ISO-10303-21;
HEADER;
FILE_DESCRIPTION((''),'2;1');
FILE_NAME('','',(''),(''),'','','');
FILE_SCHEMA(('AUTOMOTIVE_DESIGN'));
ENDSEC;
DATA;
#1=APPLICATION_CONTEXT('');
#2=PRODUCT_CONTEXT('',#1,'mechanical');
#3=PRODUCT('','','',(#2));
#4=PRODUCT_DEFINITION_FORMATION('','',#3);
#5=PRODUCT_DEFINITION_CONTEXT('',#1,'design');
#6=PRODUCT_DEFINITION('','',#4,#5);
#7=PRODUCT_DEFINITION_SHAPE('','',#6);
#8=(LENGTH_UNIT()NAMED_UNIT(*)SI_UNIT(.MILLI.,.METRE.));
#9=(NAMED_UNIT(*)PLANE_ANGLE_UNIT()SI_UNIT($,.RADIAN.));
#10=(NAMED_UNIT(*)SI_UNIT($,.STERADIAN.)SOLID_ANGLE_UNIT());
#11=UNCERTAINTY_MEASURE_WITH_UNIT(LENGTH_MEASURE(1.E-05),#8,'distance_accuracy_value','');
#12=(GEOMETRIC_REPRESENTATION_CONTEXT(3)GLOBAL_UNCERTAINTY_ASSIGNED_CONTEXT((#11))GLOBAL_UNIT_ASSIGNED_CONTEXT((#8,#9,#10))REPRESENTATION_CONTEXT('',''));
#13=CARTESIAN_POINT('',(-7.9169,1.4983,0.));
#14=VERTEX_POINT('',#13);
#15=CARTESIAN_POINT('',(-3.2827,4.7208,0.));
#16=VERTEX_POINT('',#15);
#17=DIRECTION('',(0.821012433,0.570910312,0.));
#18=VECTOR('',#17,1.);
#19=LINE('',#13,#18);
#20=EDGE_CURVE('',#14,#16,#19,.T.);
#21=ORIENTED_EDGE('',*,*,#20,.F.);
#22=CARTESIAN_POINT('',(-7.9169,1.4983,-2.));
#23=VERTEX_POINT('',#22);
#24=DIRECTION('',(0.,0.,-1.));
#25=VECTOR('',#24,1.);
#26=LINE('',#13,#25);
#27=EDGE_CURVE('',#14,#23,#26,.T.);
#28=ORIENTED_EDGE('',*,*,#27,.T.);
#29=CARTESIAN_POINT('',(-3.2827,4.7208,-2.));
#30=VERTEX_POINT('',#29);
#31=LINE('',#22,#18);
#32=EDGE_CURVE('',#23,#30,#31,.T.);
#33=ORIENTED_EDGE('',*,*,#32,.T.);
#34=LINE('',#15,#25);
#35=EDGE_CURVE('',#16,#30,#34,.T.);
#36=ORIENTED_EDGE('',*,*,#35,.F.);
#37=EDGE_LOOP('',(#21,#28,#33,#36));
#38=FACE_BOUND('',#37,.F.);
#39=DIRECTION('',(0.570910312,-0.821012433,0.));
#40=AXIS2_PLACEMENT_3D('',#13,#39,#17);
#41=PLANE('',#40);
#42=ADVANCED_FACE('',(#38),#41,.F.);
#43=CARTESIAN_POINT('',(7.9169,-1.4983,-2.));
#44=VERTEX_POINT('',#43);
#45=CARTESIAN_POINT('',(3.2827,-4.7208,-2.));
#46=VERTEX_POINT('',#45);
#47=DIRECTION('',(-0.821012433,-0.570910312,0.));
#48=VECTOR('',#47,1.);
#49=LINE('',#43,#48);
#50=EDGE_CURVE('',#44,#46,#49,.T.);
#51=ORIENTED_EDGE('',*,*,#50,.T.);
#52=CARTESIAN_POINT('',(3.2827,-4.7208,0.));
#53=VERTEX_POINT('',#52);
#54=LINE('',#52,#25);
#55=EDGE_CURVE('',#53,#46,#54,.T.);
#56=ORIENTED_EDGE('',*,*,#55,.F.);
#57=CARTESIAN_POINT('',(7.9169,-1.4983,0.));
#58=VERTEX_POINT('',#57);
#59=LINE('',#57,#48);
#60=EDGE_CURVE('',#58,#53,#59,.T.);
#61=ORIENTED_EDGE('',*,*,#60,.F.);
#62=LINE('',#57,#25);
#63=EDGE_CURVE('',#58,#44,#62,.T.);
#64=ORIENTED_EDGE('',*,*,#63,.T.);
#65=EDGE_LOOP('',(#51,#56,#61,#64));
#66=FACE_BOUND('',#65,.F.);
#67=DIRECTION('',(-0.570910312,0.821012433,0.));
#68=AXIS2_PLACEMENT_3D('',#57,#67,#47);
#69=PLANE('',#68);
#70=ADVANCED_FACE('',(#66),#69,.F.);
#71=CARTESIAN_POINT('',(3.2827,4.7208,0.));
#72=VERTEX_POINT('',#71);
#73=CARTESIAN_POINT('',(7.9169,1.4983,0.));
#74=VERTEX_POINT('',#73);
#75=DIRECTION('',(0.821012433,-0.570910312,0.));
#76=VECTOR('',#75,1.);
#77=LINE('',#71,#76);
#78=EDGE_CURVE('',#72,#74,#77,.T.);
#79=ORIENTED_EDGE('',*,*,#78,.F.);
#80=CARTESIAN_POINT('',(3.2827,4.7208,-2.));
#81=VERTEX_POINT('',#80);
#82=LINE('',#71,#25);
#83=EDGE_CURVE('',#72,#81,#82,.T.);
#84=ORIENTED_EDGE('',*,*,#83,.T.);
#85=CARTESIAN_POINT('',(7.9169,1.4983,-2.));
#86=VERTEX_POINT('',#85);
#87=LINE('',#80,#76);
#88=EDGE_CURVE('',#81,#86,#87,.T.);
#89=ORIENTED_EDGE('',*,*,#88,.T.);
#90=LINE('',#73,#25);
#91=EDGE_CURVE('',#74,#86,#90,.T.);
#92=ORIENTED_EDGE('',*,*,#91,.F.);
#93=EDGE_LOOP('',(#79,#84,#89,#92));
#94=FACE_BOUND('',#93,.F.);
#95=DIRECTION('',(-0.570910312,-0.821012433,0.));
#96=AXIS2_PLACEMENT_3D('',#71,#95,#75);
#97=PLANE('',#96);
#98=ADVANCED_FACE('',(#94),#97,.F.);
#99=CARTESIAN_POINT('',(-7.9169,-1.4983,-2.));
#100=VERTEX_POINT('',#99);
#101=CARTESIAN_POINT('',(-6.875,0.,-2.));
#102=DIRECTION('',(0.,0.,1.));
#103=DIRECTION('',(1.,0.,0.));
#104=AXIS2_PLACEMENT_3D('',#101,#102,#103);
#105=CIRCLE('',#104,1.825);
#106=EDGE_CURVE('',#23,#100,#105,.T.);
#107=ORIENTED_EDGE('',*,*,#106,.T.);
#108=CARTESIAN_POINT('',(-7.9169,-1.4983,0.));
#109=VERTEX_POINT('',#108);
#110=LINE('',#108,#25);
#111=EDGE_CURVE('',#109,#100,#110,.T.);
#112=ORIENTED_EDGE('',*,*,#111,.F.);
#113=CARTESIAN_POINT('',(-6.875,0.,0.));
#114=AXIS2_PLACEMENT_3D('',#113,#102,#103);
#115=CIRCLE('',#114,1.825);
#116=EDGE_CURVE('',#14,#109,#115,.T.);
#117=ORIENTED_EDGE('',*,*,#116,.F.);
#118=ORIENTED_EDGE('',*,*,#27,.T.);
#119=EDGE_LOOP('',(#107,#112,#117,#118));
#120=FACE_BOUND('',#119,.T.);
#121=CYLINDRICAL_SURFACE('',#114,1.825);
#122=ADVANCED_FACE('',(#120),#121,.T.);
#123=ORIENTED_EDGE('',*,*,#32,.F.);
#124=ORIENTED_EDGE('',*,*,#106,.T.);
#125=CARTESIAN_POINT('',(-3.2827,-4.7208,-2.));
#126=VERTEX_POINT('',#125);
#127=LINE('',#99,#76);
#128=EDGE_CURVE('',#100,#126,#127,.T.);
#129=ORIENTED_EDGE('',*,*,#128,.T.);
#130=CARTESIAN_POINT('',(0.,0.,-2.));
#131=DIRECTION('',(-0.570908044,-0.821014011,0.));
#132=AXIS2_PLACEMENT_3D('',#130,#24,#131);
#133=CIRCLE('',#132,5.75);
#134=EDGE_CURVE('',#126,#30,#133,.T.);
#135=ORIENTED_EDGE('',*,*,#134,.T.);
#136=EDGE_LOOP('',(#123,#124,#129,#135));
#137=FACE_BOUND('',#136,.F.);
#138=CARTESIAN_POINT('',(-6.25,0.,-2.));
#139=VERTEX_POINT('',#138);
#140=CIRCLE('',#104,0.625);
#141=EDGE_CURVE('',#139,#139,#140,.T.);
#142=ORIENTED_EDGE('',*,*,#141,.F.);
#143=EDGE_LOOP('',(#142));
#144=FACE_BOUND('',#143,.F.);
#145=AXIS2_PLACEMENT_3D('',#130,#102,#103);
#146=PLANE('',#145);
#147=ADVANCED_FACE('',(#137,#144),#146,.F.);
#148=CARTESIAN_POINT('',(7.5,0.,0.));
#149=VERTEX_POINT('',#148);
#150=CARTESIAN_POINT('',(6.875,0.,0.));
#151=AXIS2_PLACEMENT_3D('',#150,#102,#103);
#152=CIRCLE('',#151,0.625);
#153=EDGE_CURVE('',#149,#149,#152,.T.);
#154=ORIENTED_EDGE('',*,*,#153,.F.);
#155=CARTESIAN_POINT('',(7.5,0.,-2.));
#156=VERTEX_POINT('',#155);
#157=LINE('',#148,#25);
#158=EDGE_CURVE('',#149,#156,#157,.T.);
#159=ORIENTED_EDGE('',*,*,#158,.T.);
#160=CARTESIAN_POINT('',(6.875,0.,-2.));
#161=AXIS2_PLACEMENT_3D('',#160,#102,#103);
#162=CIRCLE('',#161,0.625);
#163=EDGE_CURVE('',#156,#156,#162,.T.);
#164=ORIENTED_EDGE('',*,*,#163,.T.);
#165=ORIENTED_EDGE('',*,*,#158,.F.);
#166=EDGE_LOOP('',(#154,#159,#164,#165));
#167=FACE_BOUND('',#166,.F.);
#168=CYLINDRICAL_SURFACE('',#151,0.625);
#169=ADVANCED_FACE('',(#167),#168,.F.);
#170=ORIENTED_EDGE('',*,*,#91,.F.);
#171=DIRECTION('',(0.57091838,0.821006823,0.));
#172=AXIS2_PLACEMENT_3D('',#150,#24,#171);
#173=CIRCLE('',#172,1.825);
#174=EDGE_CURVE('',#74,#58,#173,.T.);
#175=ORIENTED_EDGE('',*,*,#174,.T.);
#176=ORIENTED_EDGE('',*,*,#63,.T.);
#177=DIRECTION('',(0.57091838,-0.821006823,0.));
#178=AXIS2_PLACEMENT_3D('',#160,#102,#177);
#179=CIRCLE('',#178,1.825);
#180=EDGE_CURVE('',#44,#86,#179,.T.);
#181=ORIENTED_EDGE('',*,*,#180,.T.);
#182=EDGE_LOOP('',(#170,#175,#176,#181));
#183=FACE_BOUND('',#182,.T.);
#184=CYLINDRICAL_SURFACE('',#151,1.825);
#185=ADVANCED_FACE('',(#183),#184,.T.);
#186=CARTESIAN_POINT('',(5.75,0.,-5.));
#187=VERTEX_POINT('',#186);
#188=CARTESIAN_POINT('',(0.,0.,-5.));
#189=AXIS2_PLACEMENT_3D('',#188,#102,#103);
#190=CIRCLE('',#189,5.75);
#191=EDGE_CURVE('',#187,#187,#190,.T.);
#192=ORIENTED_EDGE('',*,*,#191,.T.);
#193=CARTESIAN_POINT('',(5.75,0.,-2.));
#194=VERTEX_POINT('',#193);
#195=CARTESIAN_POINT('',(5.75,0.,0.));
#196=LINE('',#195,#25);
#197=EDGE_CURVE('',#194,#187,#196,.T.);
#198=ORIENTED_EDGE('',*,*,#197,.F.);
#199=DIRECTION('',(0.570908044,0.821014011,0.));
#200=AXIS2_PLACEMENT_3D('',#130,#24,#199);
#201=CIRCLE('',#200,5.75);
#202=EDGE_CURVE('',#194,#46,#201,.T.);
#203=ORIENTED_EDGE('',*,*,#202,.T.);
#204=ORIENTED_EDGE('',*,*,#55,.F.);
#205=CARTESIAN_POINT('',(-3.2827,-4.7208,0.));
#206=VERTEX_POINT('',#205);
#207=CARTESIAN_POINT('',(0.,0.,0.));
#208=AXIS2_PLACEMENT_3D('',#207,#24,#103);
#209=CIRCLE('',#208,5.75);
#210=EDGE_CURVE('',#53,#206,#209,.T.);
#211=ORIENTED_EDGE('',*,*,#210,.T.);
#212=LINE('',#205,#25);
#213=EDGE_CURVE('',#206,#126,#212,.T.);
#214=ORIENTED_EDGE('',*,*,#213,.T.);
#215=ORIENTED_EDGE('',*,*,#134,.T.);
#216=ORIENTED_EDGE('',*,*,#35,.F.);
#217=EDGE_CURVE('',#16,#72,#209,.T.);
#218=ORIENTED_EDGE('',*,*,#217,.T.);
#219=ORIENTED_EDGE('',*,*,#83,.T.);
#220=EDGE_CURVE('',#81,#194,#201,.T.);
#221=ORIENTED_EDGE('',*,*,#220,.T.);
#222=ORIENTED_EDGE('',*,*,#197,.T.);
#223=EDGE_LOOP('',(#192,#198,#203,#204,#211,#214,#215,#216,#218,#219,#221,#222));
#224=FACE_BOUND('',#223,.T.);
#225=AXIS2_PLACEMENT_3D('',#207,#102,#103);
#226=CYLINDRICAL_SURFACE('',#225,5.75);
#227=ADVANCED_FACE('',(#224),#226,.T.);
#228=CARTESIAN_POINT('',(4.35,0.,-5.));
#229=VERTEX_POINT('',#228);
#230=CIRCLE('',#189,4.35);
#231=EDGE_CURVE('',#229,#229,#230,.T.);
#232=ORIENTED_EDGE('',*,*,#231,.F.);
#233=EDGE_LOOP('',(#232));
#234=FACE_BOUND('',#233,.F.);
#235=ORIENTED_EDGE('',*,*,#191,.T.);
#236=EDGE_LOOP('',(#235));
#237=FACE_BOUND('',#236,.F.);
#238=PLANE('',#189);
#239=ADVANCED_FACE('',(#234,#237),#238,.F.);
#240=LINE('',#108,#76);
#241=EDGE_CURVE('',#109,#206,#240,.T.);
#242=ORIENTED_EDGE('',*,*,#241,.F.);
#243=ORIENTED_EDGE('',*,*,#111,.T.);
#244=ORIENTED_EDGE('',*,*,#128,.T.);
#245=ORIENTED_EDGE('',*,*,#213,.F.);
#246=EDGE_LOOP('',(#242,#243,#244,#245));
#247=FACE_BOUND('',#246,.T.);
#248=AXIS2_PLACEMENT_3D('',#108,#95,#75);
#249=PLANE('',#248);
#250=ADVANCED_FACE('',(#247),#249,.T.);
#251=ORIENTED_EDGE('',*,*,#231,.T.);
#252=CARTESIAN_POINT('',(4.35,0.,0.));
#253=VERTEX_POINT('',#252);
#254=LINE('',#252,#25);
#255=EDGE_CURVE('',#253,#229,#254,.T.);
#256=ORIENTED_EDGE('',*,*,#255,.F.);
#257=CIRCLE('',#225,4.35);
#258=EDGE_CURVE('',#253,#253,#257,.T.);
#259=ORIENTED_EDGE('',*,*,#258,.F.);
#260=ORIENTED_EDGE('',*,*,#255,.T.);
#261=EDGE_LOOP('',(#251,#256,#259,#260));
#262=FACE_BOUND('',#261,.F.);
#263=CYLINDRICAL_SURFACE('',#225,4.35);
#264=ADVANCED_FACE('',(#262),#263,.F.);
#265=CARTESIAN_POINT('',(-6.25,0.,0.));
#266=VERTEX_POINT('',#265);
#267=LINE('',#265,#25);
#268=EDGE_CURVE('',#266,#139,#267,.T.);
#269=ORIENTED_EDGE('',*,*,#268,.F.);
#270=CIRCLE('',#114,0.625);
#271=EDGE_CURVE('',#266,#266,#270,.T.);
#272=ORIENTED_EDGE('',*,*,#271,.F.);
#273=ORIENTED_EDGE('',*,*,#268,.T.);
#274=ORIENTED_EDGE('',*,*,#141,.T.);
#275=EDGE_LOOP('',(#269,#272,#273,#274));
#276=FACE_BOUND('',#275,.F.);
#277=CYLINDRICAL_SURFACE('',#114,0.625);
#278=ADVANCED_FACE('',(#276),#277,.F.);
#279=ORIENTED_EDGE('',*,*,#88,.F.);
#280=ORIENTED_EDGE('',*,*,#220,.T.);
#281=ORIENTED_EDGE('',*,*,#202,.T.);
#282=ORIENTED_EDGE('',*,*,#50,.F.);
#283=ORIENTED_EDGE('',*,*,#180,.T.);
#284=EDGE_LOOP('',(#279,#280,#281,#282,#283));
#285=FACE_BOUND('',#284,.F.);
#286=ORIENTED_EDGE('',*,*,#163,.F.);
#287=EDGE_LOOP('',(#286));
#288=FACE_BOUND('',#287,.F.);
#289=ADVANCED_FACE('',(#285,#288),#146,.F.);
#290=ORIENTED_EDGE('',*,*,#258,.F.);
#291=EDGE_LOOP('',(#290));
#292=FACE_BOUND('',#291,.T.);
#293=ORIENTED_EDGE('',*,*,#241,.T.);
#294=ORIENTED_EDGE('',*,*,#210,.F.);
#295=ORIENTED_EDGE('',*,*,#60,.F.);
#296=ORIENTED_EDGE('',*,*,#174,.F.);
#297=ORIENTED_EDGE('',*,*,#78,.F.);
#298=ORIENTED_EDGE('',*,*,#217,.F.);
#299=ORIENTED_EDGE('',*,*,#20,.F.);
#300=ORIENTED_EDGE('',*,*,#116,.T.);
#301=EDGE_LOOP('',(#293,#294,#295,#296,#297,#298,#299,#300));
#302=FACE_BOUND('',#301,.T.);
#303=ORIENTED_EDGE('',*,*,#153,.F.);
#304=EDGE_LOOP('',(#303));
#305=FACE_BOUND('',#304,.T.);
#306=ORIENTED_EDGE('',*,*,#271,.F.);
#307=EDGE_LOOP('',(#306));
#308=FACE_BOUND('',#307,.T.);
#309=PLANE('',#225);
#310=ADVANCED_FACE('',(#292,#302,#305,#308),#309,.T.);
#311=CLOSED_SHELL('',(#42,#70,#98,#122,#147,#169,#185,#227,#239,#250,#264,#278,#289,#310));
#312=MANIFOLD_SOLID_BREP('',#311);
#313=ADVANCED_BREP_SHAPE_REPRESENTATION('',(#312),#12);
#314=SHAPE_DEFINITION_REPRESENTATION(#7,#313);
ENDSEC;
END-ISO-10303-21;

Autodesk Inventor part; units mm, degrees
ref_plane "YZ Plane" through (0, 0, 0) normal (1, 0, 0) x (0, 1, 0)
ref_plane "XZ Plane" through (0, 0, 0) normal (0, 1, 0) x (-1, 0, 0)
ref_plane "XY Plane" through (0, 0, 0) normal (0, 0, 1) x (1, 0, 0)
sketch "スケッチ1" plane through (0, 0, 0) normal (0, 0, 1) x (1, 0, 0)
  circle A0 centre (0, 0) radius 2.25 construction
  circle A1 centre (0, 0) radius 4.35
  circle A2 centre (0, 0) radius 5.75
  circle A3 centre (-6.875, 0) radius 0.625
  circle A4 centre (6.875, 0) radius 0.625
  circle A5 centre (0, 0) radius 6.875 construction
  circle A6 centre (-6.875, 0) radius 1.825
  circle A7 centre (6.875, 0) radius 1.825
  line L0 (-7.9169, 1.4983) -> (-3.2827, 4.7208)
  line L1 (-7.9169, -1.4983) -> (-3.2827, -4.7208)
  line L2 (7.9169, -1.4983) -> (3.2827, -4.7208)
  line L3 (3.2827, 4.7208) -> (7.9169, 1.4983)
  line L4 (6.875, 0) -> (0, 0) construction
  line L5 (0, 0) -> (-6.875, 0) construction
  circle A8 centre (0, 0) radius 4.25
  point P0 (5.5998, -1.3056)
  point P1 (5.5998, 1.3056)
  point P2 (-5.5998, 1.3056)
  point P3 (-5.5998, -1.3056)
  dimension "d2" = 4.5
  dimension "d5" = 1.25
  dimension "d6" = 1.25
  dimension "d7" = 1.2
  dimension "d8" = 1.2
  dimension "d9" = 0.5
  dimension "d18" = 180
  dimension "d22" = 13.75
  dimension "d23" = 0.1
  dimension "d24" = 8.5
  dimension "d25" = 1.5
extrude "押し出し1" add sketch "スケッチ1" against normal blind 5 contours A2 A7 A6 | A2 A7 | A6 A2 picked at (5.515, -0.2153) picked at (-5.5055, 0)
extrude "押し出し3" add sketch "スケッチ1" against normal blind 2 contours A2 A6 L0 | A2 A6 | A2 L1 A6 picked at (-5.951, -0.7528)
extrude "押し出し4" add sketch "スケッチ1" against normal blind 2 contours L3 A7 A2 | A7 A2 | A7 L2 A2 picked at (6.0448, 0.9837)
equation "\"d6\" = d5"
equation "\"d8\" = d7"
properties part number "motorauxiliary"
